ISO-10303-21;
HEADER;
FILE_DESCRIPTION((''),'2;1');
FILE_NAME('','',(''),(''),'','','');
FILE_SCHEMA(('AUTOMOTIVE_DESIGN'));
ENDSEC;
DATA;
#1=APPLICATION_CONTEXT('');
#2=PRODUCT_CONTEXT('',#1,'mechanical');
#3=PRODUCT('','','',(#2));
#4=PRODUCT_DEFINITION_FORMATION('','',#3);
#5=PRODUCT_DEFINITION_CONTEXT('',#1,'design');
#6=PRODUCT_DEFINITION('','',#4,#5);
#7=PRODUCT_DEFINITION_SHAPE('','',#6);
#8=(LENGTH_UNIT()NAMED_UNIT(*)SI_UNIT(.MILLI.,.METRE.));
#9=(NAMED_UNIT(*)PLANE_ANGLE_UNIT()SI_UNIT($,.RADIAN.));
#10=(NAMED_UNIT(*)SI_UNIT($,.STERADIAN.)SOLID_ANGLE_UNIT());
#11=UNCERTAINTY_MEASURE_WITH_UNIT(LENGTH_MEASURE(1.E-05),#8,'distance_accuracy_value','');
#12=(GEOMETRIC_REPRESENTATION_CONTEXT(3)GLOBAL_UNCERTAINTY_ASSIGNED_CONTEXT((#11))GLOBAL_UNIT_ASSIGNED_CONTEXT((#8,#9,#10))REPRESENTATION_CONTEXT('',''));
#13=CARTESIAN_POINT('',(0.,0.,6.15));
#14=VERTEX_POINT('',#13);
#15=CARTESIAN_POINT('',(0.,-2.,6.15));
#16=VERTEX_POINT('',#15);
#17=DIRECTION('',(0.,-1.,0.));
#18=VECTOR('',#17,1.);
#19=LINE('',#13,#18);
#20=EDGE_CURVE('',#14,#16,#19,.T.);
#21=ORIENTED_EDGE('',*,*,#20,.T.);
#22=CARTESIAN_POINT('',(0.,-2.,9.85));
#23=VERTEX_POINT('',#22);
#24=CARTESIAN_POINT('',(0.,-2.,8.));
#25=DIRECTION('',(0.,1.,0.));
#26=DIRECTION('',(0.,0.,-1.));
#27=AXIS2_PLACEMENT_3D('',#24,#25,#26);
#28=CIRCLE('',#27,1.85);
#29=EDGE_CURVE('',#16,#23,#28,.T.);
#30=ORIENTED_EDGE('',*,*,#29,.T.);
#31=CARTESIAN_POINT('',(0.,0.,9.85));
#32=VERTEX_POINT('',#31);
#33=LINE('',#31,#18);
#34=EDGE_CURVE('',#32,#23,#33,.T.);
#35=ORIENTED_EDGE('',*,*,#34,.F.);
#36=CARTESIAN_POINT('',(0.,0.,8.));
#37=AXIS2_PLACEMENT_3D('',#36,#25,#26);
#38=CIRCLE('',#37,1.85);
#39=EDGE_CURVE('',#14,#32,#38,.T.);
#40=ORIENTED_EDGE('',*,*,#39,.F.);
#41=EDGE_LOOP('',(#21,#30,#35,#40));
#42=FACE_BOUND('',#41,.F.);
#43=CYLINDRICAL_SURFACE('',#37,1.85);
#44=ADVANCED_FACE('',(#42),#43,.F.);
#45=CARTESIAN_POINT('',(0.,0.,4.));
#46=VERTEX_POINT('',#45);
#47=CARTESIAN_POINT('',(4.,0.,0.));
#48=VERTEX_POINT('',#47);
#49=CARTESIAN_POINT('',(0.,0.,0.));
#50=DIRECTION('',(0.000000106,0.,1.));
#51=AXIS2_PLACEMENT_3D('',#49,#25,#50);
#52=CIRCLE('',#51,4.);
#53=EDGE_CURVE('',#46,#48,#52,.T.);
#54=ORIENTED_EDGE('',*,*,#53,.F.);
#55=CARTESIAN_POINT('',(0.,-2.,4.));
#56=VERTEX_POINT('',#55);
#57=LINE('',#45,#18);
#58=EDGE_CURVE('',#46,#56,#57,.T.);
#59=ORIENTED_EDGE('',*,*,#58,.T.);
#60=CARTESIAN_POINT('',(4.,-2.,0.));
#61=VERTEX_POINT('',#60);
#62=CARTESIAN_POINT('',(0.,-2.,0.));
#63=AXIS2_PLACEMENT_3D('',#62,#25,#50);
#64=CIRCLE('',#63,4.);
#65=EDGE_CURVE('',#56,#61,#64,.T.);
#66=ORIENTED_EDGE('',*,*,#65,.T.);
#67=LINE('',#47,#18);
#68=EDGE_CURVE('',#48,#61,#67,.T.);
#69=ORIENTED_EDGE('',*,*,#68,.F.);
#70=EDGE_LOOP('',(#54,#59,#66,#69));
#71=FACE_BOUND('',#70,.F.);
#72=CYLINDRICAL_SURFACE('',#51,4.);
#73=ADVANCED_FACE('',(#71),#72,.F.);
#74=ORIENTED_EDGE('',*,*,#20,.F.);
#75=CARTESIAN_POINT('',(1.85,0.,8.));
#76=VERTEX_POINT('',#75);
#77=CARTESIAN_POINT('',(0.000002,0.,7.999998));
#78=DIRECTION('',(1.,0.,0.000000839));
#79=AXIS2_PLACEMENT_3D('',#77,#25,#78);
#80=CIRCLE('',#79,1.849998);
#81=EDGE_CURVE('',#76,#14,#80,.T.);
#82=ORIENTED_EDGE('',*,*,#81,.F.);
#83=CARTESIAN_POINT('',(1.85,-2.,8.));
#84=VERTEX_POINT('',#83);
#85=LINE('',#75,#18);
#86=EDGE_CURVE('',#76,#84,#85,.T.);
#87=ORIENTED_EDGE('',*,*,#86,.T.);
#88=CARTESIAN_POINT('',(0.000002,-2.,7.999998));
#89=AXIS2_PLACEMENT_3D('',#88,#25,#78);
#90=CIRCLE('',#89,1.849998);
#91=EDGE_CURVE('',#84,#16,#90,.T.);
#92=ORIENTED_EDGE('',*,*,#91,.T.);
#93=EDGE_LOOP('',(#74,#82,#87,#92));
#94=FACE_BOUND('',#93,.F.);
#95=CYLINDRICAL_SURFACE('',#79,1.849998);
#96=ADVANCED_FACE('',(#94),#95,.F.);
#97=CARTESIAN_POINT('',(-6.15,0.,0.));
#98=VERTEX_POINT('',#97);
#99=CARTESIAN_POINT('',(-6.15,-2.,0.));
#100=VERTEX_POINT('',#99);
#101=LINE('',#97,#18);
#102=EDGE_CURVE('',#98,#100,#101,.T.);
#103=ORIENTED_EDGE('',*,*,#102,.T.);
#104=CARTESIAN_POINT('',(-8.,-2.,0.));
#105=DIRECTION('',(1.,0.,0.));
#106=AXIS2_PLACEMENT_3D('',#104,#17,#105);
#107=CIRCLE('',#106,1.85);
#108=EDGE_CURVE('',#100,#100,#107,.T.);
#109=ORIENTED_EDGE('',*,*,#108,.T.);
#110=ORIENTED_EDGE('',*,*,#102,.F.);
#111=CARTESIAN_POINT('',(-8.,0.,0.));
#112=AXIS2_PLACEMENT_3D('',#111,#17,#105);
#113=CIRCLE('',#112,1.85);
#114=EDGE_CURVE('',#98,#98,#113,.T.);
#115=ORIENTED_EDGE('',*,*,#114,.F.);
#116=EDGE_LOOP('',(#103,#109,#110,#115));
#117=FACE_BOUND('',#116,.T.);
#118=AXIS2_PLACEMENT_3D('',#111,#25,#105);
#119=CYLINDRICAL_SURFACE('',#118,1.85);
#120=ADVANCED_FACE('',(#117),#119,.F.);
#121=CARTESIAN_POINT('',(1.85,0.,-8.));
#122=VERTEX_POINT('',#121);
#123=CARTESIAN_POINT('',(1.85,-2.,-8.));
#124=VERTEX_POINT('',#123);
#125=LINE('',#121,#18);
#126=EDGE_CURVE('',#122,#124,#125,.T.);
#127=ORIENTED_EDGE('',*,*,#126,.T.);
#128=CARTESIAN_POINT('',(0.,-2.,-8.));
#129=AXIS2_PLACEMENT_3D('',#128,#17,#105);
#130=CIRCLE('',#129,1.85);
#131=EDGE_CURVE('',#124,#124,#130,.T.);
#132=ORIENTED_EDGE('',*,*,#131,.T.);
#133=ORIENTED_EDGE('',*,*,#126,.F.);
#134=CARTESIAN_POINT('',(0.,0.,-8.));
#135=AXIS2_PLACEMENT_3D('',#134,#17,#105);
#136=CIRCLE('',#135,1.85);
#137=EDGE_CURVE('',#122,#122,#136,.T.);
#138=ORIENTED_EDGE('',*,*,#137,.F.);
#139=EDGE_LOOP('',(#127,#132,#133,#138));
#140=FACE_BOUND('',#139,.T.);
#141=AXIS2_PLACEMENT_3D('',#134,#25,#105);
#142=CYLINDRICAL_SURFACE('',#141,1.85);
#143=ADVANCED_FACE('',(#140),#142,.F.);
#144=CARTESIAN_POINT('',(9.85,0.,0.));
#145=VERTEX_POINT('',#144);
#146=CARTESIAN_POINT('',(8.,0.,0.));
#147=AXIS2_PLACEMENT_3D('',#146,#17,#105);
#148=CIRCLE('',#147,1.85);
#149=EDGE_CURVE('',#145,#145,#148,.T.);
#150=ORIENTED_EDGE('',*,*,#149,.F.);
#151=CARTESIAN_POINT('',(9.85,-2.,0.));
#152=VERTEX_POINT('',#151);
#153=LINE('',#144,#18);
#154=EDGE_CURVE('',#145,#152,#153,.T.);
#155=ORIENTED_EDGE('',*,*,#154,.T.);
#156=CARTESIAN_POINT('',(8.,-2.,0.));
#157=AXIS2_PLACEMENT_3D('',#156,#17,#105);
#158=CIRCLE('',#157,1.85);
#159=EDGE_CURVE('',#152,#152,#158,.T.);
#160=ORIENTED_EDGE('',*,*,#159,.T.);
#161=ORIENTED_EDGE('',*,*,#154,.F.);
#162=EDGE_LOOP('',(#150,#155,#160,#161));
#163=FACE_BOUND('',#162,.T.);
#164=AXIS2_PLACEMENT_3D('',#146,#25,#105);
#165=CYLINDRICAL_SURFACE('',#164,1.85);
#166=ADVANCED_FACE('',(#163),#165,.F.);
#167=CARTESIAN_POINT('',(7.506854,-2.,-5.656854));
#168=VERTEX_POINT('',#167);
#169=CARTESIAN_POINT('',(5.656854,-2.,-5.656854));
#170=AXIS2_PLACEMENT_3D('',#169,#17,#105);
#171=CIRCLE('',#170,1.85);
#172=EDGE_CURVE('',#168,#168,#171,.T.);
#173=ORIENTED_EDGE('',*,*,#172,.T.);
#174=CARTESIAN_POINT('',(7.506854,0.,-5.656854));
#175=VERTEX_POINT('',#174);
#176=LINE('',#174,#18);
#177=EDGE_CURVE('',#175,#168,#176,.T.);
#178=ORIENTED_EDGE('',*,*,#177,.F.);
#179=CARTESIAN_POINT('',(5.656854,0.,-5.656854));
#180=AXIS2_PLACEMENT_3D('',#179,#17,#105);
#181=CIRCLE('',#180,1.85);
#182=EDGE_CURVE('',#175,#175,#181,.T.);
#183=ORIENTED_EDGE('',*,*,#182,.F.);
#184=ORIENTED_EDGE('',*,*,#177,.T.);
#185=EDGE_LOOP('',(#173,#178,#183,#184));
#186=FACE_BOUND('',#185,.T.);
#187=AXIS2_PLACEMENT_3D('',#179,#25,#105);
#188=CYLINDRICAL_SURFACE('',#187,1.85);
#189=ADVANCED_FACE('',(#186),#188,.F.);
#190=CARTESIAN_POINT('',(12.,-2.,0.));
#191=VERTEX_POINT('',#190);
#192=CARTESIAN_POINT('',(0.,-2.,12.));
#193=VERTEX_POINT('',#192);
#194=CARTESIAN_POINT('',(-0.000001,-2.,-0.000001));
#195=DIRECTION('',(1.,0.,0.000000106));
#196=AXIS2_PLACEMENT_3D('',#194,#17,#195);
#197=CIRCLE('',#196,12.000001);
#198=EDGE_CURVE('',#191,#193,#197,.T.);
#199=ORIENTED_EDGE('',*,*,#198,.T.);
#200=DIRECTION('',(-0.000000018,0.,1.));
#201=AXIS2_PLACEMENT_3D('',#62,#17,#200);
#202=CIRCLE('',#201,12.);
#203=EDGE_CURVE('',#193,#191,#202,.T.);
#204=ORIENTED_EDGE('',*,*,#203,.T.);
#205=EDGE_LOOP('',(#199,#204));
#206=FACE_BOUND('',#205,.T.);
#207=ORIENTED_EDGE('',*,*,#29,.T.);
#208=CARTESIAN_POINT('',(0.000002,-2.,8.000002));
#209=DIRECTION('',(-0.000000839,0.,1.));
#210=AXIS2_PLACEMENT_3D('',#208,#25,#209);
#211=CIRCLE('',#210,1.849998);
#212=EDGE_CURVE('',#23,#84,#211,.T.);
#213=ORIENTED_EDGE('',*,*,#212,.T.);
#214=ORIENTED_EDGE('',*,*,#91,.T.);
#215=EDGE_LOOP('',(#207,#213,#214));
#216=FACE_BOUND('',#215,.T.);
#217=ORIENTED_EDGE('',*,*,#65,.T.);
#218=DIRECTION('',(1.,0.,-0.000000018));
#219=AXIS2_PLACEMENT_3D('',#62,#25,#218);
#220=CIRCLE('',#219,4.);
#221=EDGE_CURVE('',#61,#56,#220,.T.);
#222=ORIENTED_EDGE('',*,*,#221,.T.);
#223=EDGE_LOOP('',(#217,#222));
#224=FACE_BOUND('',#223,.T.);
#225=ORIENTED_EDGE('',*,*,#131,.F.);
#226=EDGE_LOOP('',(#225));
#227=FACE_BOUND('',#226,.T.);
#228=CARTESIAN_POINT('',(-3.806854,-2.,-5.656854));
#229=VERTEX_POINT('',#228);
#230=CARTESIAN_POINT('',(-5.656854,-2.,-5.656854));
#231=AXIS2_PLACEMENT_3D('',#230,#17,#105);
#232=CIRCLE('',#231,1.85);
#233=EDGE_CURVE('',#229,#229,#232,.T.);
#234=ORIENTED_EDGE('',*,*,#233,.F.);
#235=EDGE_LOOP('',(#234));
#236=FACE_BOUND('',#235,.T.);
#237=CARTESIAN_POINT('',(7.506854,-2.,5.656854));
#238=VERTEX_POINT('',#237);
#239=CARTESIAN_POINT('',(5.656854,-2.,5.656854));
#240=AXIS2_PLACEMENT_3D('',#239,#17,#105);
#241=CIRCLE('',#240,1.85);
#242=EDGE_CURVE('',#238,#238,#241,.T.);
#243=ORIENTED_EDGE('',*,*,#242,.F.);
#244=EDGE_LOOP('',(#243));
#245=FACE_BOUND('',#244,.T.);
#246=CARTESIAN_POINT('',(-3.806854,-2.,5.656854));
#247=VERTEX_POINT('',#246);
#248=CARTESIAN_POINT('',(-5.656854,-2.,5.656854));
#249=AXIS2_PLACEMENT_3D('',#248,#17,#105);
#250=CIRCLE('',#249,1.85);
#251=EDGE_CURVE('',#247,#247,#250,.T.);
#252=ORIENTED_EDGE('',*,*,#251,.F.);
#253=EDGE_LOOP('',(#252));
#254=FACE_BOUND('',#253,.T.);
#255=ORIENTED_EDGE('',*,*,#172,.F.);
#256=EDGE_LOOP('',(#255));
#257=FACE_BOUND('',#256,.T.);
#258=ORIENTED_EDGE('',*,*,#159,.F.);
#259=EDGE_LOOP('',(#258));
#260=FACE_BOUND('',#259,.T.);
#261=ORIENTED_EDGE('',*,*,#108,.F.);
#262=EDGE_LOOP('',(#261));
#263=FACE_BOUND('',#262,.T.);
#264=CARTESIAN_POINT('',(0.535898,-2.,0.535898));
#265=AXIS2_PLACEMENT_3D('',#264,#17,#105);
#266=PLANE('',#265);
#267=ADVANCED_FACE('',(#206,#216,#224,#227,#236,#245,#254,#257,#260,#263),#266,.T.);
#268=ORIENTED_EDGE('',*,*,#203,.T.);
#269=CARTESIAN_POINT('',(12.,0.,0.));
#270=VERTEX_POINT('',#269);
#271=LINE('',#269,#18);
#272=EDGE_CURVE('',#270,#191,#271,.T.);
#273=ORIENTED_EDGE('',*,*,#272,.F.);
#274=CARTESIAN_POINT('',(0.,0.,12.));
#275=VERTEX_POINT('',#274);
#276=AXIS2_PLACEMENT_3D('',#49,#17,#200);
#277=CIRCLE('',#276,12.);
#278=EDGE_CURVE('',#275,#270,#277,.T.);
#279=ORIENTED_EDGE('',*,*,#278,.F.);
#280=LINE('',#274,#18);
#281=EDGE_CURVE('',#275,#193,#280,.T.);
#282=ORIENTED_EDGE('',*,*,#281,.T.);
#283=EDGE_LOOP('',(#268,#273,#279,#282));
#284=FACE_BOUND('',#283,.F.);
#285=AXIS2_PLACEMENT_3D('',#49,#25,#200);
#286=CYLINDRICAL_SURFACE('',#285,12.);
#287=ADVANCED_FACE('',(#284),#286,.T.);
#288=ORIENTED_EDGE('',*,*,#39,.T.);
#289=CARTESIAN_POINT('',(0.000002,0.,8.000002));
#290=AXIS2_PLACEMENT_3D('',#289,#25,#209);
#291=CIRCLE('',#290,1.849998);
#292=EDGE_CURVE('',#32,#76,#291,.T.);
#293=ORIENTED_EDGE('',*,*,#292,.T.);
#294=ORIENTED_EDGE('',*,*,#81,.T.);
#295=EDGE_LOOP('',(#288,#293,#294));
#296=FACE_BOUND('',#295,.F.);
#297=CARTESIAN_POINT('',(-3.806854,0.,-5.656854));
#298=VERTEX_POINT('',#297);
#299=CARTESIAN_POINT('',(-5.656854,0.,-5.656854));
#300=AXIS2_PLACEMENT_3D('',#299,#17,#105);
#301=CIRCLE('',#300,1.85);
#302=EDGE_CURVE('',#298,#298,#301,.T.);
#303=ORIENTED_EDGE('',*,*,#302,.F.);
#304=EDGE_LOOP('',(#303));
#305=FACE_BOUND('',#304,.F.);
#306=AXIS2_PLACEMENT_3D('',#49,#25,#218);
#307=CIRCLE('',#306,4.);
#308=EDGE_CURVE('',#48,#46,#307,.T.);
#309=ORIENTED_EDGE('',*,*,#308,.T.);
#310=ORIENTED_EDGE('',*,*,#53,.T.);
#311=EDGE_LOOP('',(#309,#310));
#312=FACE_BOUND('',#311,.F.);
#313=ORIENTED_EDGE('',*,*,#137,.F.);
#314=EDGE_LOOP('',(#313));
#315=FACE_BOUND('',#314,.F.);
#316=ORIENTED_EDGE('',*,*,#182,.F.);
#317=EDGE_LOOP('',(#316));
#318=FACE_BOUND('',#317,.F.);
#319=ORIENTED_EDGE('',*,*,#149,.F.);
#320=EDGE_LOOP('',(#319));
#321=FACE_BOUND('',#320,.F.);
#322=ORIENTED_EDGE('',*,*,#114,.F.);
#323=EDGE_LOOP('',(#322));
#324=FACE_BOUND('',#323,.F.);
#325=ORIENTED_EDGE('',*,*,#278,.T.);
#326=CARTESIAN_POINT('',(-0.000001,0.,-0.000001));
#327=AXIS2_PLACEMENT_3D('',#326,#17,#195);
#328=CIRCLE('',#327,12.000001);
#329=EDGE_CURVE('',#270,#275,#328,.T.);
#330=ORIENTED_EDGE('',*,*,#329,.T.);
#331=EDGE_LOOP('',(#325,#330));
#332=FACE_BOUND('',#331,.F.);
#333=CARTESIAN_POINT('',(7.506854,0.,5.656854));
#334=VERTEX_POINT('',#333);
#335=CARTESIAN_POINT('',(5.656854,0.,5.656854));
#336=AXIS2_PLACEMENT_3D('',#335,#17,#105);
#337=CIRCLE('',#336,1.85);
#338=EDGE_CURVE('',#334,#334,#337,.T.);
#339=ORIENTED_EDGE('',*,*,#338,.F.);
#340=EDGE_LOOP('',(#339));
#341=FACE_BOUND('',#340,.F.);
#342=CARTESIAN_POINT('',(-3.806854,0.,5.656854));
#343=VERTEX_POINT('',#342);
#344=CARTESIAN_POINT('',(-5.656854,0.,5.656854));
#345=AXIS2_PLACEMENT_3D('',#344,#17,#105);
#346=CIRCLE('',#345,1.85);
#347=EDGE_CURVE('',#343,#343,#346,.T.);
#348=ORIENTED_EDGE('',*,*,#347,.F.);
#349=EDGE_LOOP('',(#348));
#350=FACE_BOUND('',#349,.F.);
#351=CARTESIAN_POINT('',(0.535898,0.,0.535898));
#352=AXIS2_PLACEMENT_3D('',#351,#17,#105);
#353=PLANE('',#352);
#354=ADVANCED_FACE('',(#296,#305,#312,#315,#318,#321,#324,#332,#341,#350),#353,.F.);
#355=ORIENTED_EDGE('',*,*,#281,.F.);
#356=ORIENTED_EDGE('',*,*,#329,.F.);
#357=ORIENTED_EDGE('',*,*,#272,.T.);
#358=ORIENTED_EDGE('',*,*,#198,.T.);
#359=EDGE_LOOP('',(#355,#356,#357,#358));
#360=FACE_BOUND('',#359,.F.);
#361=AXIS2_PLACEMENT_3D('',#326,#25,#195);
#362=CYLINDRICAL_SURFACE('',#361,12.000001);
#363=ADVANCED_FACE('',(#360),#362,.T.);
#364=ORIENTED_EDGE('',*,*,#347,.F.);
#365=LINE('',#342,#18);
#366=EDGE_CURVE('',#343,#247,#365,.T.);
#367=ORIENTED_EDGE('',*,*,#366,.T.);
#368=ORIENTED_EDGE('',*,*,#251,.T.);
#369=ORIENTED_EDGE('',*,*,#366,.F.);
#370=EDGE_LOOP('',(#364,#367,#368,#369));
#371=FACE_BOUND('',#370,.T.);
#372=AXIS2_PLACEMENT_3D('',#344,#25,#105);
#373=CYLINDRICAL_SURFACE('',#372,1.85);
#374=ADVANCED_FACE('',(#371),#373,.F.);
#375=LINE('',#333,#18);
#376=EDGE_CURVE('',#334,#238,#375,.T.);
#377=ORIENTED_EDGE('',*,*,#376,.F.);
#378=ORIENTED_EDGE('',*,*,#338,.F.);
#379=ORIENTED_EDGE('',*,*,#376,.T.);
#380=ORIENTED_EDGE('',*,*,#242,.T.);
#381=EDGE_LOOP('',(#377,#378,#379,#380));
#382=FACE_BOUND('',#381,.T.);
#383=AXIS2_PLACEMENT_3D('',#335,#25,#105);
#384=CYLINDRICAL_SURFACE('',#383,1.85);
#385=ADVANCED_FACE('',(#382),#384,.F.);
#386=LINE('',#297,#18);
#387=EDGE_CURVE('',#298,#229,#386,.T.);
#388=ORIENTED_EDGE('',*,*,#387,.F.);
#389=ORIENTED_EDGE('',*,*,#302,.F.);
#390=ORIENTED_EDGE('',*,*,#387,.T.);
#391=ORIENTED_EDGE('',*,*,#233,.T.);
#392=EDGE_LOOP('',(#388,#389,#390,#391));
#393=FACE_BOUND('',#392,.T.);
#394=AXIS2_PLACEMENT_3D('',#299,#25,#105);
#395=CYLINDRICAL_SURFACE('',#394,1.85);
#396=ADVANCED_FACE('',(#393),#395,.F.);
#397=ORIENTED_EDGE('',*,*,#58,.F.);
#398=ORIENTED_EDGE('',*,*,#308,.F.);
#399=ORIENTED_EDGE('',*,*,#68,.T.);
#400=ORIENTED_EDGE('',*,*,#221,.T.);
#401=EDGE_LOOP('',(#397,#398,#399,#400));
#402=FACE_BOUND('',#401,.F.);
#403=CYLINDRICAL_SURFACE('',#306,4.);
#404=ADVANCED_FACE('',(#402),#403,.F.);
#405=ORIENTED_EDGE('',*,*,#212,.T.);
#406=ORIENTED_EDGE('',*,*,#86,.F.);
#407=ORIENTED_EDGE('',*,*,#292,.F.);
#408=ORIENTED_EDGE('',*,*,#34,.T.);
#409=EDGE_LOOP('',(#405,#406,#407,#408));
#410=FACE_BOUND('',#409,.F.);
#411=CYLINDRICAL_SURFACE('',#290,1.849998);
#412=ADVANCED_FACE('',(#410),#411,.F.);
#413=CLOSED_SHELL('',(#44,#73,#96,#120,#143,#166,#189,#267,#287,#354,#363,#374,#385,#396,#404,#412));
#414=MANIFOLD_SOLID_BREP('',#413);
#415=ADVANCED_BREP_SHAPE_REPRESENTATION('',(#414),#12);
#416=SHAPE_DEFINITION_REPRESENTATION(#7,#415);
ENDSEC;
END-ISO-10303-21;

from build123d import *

# Parameters (mm, degrees)
F0_R     = 1.85
F1_DEPTH = 2


with BuildPart() as f1:
    # F0 (on Front) → F1 (new body)
    with BuildSketch(Plane.XZ):
        with BuildLine():
            ThreePointArc((0, 12), (-8.485281, -8.485281), (12, 0))
            ThreePointArc((12, 0), (8.485281, 8.485281), (0, 12))
        make_face()
        with Locations((-5.656854, -5.656854)):
            Circle(F0_R, mode=Mode.SUBTRACT)
        with Locations((0, -8)):
            Circle(F0_R, mode=Mode.SUBTRACT)
        with Locations((5.656854, -5.656854)):
            Circle(F0_R, mode=Mode.SUBTRACT)
        with Locations((-8, 0)):
            Circle(F0_R, mode=Mode.SUBTRACT)
        with Locations((-5.656854, 5.656854)):
            Circle(F0_R, mode=Mode.SUBTRACT)
        with BuildLine():
            ThreePointArc((4, 0), (-2.828427, -2.828427), (0, 4))
            ThreePointArc((0, 4), (2.828427, 2.828427), (4, 0))
        make_face(mode=Mode.SUBTRACT)
        with Locations((5.656854, 5.656854)):
            Circle(F0_R, mode=Mode.SUBTRACT)
        with Locations((8, 0)):
            Circle(F0_R, mode=Mode.SUBTRACT)
        with BuildLine():
            ThreePointArc((0, 6.15), (-1.85, 8), (0, 9.85))
            ThreePointArc((0, 9.85), (1.308148, 9.308148), (1.85, 8))
            ThreePointArc((1.85, 8), (1.308148, 6.691852), (0, 6.15))
        make_face(mode=Mode.SUBTRACT)
    extrude(amount=F1_DEPTH)


solid = f1.part
